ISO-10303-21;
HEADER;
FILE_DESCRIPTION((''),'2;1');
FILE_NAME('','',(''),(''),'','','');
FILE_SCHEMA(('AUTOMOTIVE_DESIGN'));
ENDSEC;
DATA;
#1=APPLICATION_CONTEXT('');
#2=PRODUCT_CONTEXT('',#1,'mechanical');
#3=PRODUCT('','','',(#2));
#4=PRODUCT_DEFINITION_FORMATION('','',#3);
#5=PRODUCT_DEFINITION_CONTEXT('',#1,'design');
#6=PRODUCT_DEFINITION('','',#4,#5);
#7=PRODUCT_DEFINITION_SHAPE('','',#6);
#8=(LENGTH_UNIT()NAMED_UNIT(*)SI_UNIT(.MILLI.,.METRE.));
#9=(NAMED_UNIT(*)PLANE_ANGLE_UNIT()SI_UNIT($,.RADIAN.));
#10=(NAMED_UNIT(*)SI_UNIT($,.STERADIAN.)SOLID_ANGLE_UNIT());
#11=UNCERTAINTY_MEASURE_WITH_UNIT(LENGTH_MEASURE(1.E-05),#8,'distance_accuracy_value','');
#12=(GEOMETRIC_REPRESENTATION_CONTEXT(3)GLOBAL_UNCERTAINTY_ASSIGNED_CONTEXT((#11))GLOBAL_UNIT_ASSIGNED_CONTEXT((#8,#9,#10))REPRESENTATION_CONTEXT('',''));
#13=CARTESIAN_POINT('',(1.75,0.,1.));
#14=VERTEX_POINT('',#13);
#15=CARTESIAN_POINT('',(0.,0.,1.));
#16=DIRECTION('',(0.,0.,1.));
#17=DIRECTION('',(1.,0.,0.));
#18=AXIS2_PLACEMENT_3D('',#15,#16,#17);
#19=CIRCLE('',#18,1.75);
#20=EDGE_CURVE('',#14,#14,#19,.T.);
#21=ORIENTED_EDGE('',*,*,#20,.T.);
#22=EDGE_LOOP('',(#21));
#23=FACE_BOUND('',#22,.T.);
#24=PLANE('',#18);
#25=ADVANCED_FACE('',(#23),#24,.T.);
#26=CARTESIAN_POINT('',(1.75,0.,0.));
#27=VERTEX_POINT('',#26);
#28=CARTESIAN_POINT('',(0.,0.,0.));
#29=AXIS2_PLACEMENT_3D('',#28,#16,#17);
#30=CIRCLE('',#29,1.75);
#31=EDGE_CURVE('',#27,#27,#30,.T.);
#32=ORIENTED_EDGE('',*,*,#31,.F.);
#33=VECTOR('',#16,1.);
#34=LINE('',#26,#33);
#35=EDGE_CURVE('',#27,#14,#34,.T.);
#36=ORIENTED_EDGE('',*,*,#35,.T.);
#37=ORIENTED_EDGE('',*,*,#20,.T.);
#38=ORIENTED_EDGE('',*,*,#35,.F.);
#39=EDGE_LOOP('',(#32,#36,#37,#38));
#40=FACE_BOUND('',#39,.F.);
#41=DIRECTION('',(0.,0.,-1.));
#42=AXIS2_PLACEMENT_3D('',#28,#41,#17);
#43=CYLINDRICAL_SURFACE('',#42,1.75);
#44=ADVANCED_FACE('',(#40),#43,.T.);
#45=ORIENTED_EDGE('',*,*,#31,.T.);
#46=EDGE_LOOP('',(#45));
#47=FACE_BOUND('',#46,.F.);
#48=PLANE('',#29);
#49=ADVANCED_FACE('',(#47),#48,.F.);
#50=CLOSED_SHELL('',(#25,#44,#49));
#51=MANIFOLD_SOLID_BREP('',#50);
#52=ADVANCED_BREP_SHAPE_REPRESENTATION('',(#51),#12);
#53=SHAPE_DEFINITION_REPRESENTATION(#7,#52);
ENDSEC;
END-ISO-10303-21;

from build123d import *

# Parameters (mm, degrees)
SKETCH1_R           = 1.75
BOSS_EXTRUDE1_DEPTH = 1


with BuildPart() as part:
    # Sketch1 → Boss-Extrude1 (new body)
    with BuildSketch(Plane.XY):
        Circle(SKETCH1_R)
    extrude(amount=BOSS_EXTRUDE1_DEPTH)


solid = part.part
